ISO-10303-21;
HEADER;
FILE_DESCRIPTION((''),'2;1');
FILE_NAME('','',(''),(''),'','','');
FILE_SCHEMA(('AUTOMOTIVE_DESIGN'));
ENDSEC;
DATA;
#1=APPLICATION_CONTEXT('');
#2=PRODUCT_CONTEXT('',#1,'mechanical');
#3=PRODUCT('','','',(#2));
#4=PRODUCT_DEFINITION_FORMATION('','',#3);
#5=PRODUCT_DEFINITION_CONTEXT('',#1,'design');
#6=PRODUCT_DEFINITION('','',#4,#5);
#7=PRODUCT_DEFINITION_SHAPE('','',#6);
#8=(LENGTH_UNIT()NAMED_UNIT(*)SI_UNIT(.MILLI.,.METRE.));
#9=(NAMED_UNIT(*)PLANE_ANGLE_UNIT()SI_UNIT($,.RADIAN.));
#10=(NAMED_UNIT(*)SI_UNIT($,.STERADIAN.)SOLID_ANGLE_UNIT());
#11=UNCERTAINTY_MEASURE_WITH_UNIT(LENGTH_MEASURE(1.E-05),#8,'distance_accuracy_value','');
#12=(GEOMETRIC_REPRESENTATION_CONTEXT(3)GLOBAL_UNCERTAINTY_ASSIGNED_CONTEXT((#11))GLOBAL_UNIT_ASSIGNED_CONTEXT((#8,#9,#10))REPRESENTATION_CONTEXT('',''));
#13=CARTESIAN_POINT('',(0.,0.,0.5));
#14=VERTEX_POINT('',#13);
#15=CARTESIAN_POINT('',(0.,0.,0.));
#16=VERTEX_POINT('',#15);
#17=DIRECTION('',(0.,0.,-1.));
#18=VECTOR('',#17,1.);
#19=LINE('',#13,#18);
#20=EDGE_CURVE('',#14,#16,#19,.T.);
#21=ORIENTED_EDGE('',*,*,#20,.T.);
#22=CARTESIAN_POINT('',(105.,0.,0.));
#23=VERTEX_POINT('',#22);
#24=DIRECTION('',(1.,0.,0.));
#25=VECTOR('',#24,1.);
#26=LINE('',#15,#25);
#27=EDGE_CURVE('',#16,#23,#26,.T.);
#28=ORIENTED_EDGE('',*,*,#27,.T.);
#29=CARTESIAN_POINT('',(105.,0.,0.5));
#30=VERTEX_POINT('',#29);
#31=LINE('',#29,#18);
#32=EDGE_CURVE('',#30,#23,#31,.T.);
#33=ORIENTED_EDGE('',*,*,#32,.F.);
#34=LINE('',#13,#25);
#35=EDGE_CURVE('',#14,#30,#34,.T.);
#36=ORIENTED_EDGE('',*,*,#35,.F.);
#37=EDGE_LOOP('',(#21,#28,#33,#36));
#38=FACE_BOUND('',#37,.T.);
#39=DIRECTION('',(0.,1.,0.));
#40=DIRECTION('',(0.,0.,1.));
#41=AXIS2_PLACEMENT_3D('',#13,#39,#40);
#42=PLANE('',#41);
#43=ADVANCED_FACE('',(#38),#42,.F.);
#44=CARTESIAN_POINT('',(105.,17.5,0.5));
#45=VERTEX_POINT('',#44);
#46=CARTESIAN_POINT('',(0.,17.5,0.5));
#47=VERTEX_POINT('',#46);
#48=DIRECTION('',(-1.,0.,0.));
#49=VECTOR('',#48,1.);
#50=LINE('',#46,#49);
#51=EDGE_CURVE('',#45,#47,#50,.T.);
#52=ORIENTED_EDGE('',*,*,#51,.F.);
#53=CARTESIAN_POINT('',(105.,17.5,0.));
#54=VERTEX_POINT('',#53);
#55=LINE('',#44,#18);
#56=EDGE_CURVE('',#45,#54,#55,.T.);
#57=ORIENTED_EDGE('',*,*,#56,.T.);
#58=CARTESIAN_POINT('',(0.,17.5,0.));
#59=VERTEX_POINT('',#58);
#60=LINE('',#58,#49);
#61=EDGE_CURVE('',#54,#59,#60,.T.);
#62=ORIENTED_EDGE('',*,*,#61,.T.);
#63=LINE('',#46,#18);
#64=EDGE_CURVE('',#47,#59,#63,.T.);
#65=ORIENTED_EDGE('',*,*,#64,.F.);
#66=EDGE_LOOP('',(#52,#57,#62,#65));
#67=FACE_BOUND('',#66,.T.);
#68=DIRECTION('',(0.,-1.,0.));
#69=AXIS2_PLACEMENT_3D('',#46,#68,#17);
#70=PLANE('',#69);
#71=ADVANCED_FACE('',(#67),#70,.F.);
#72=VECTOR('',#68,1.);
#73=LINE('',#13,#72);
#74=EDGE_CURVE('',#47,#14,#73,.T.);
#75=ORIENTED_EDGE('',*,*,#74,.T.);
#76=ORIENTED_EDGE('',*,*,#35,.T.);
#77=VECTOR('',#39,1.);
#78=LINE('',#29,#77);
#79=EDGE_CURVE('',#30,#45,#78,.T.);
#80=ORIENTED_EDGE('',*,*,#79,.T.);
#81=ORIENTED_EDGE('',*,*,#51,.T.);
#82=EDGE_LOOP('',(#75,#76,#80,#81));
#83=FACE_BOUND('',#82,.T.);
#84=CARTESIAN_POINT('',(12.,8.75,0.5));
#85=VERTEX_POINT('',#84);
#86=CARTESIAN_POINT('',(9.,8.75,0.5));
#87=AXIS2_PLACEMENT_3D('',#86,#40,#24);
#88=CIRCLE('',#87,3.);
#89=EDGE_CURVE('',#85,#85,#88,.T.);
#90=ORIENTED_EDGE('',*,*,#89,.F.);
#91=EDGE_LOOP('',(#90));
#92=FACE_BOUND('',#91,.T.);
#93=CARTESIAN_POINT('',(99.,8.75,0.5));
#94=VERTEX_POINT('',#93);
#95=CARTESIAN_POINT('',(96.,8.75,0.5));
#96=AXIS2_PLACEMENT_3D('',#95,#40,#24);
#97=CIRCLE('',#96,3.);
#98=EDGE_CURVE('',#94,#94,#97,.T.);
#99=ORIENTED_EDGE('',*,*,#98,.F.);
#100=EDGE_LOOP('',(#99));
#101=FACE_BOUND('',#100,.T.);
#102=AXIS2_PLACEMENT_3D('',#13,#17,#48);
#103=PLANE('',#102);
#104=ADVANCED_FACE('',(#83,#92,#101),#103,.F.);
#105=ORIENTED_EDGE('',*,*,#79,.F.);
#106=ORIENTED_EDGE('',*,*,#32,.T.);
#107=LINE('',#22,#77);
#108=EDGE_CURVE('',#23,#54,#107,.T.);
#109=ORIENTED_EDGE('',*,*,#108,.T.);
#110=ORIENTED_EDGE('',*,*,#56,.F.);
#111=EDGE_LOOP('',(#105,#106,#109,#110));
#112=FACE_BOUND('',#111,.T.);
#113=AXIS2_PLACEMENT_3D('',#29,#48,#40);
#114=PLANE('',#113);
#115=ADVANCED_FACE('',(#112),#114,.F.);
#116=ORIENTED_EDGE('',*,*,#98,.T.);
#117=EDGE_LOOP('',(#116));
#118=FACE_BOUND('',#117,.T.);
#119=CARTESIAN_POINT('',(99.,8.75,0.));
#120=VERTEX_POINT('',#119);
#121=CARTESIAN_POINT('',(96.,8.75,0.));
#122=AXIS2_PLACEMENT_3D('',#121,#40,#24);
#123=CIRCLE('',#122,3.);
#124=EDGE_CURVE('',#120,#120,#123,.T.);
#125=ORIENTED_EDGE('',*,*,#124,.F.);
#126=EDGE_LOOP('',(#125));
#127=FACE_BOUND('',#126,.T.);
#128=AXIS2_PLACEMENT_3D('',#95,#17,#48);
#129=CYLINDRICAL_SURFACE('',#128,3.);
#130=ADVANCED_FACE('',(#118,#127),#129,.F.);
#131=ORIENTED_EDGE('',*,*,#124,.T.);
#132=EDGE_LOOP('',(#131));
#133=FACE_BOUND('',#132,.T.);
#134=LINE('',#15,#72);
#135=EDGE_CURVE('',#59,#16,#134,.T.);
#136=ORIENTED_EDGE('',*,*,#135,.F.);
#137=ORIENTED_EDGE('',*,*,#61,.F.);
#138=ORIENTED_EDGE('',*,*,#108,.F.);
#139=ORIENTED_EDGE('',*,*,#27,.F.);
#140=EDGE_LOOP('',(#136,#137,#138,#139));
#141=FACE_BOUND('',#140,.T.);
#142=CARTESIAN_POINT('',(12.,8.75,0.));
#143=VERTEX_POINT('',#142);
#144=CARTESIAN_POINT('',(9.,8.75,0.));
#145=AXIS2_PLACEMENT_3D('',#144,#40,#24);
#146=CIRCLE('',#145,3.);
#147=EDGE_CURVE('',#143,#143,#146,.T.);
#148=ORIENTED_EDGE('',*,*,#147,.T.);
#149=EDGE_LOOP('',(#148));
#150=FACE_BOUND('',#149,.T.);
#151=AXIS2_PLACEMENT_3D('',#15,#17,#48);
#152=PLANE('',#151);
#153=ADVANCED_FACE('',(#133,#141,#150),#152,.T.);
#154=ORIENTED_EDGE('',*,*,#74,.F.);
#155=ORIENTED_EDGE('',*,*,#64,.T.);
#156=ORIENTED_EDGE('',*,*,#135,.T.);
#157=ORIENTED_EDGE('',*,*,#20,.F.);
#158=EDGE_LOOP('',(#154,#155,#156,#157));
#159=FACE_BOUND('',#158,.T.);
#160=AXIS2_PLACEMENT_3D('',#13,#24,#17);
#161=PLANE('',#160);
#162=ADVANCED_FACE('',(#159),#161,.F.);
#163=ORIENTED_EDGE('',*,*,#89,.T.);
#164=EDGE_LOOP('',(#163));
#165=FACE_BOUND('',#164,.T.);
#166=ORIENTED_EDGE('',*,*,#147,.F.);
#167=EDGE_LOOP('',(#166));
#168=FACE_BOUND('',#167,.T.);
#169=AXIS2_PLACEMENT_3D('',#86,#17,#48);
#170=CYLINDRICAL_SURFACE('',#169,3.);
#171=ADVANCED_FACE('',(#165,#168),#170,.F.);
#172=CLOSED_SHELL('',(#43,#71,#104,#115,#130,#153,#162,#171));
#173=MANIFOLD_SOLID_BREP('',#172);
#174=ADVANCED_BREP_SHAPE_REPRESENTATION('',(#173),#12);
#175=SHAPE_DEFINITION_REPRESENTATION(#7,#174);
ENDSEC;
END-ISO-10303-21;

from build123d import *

# Parameters (mm, degrees)
SKETCH1_W           = 105
SKETCH1_H           = 17.5
SKETCH1_R           = 3
BOSS_EXTRUDE1_DEPTH = 0.5


with BuildPart() as part:
    # Sketch1 → Boss-Extrude1 (new body)
    with BuildSketch(Plane.XY):
        with Locations((52.5, 8.75)):
            Rectangle(SKETCH1_W, SKETCH1_H)
        with Locations((9, 8.75)):
            Circle(SKETCH1_R, mode=Mode.SUBTRACT)
        with Locations((96, 8.75)):
            Circle(SKETCH1_R, mode=Mode.SUBTRACT)
    extrude(amount=BOSS_EXTRUDE1_DEPTH)


solid = part.part
